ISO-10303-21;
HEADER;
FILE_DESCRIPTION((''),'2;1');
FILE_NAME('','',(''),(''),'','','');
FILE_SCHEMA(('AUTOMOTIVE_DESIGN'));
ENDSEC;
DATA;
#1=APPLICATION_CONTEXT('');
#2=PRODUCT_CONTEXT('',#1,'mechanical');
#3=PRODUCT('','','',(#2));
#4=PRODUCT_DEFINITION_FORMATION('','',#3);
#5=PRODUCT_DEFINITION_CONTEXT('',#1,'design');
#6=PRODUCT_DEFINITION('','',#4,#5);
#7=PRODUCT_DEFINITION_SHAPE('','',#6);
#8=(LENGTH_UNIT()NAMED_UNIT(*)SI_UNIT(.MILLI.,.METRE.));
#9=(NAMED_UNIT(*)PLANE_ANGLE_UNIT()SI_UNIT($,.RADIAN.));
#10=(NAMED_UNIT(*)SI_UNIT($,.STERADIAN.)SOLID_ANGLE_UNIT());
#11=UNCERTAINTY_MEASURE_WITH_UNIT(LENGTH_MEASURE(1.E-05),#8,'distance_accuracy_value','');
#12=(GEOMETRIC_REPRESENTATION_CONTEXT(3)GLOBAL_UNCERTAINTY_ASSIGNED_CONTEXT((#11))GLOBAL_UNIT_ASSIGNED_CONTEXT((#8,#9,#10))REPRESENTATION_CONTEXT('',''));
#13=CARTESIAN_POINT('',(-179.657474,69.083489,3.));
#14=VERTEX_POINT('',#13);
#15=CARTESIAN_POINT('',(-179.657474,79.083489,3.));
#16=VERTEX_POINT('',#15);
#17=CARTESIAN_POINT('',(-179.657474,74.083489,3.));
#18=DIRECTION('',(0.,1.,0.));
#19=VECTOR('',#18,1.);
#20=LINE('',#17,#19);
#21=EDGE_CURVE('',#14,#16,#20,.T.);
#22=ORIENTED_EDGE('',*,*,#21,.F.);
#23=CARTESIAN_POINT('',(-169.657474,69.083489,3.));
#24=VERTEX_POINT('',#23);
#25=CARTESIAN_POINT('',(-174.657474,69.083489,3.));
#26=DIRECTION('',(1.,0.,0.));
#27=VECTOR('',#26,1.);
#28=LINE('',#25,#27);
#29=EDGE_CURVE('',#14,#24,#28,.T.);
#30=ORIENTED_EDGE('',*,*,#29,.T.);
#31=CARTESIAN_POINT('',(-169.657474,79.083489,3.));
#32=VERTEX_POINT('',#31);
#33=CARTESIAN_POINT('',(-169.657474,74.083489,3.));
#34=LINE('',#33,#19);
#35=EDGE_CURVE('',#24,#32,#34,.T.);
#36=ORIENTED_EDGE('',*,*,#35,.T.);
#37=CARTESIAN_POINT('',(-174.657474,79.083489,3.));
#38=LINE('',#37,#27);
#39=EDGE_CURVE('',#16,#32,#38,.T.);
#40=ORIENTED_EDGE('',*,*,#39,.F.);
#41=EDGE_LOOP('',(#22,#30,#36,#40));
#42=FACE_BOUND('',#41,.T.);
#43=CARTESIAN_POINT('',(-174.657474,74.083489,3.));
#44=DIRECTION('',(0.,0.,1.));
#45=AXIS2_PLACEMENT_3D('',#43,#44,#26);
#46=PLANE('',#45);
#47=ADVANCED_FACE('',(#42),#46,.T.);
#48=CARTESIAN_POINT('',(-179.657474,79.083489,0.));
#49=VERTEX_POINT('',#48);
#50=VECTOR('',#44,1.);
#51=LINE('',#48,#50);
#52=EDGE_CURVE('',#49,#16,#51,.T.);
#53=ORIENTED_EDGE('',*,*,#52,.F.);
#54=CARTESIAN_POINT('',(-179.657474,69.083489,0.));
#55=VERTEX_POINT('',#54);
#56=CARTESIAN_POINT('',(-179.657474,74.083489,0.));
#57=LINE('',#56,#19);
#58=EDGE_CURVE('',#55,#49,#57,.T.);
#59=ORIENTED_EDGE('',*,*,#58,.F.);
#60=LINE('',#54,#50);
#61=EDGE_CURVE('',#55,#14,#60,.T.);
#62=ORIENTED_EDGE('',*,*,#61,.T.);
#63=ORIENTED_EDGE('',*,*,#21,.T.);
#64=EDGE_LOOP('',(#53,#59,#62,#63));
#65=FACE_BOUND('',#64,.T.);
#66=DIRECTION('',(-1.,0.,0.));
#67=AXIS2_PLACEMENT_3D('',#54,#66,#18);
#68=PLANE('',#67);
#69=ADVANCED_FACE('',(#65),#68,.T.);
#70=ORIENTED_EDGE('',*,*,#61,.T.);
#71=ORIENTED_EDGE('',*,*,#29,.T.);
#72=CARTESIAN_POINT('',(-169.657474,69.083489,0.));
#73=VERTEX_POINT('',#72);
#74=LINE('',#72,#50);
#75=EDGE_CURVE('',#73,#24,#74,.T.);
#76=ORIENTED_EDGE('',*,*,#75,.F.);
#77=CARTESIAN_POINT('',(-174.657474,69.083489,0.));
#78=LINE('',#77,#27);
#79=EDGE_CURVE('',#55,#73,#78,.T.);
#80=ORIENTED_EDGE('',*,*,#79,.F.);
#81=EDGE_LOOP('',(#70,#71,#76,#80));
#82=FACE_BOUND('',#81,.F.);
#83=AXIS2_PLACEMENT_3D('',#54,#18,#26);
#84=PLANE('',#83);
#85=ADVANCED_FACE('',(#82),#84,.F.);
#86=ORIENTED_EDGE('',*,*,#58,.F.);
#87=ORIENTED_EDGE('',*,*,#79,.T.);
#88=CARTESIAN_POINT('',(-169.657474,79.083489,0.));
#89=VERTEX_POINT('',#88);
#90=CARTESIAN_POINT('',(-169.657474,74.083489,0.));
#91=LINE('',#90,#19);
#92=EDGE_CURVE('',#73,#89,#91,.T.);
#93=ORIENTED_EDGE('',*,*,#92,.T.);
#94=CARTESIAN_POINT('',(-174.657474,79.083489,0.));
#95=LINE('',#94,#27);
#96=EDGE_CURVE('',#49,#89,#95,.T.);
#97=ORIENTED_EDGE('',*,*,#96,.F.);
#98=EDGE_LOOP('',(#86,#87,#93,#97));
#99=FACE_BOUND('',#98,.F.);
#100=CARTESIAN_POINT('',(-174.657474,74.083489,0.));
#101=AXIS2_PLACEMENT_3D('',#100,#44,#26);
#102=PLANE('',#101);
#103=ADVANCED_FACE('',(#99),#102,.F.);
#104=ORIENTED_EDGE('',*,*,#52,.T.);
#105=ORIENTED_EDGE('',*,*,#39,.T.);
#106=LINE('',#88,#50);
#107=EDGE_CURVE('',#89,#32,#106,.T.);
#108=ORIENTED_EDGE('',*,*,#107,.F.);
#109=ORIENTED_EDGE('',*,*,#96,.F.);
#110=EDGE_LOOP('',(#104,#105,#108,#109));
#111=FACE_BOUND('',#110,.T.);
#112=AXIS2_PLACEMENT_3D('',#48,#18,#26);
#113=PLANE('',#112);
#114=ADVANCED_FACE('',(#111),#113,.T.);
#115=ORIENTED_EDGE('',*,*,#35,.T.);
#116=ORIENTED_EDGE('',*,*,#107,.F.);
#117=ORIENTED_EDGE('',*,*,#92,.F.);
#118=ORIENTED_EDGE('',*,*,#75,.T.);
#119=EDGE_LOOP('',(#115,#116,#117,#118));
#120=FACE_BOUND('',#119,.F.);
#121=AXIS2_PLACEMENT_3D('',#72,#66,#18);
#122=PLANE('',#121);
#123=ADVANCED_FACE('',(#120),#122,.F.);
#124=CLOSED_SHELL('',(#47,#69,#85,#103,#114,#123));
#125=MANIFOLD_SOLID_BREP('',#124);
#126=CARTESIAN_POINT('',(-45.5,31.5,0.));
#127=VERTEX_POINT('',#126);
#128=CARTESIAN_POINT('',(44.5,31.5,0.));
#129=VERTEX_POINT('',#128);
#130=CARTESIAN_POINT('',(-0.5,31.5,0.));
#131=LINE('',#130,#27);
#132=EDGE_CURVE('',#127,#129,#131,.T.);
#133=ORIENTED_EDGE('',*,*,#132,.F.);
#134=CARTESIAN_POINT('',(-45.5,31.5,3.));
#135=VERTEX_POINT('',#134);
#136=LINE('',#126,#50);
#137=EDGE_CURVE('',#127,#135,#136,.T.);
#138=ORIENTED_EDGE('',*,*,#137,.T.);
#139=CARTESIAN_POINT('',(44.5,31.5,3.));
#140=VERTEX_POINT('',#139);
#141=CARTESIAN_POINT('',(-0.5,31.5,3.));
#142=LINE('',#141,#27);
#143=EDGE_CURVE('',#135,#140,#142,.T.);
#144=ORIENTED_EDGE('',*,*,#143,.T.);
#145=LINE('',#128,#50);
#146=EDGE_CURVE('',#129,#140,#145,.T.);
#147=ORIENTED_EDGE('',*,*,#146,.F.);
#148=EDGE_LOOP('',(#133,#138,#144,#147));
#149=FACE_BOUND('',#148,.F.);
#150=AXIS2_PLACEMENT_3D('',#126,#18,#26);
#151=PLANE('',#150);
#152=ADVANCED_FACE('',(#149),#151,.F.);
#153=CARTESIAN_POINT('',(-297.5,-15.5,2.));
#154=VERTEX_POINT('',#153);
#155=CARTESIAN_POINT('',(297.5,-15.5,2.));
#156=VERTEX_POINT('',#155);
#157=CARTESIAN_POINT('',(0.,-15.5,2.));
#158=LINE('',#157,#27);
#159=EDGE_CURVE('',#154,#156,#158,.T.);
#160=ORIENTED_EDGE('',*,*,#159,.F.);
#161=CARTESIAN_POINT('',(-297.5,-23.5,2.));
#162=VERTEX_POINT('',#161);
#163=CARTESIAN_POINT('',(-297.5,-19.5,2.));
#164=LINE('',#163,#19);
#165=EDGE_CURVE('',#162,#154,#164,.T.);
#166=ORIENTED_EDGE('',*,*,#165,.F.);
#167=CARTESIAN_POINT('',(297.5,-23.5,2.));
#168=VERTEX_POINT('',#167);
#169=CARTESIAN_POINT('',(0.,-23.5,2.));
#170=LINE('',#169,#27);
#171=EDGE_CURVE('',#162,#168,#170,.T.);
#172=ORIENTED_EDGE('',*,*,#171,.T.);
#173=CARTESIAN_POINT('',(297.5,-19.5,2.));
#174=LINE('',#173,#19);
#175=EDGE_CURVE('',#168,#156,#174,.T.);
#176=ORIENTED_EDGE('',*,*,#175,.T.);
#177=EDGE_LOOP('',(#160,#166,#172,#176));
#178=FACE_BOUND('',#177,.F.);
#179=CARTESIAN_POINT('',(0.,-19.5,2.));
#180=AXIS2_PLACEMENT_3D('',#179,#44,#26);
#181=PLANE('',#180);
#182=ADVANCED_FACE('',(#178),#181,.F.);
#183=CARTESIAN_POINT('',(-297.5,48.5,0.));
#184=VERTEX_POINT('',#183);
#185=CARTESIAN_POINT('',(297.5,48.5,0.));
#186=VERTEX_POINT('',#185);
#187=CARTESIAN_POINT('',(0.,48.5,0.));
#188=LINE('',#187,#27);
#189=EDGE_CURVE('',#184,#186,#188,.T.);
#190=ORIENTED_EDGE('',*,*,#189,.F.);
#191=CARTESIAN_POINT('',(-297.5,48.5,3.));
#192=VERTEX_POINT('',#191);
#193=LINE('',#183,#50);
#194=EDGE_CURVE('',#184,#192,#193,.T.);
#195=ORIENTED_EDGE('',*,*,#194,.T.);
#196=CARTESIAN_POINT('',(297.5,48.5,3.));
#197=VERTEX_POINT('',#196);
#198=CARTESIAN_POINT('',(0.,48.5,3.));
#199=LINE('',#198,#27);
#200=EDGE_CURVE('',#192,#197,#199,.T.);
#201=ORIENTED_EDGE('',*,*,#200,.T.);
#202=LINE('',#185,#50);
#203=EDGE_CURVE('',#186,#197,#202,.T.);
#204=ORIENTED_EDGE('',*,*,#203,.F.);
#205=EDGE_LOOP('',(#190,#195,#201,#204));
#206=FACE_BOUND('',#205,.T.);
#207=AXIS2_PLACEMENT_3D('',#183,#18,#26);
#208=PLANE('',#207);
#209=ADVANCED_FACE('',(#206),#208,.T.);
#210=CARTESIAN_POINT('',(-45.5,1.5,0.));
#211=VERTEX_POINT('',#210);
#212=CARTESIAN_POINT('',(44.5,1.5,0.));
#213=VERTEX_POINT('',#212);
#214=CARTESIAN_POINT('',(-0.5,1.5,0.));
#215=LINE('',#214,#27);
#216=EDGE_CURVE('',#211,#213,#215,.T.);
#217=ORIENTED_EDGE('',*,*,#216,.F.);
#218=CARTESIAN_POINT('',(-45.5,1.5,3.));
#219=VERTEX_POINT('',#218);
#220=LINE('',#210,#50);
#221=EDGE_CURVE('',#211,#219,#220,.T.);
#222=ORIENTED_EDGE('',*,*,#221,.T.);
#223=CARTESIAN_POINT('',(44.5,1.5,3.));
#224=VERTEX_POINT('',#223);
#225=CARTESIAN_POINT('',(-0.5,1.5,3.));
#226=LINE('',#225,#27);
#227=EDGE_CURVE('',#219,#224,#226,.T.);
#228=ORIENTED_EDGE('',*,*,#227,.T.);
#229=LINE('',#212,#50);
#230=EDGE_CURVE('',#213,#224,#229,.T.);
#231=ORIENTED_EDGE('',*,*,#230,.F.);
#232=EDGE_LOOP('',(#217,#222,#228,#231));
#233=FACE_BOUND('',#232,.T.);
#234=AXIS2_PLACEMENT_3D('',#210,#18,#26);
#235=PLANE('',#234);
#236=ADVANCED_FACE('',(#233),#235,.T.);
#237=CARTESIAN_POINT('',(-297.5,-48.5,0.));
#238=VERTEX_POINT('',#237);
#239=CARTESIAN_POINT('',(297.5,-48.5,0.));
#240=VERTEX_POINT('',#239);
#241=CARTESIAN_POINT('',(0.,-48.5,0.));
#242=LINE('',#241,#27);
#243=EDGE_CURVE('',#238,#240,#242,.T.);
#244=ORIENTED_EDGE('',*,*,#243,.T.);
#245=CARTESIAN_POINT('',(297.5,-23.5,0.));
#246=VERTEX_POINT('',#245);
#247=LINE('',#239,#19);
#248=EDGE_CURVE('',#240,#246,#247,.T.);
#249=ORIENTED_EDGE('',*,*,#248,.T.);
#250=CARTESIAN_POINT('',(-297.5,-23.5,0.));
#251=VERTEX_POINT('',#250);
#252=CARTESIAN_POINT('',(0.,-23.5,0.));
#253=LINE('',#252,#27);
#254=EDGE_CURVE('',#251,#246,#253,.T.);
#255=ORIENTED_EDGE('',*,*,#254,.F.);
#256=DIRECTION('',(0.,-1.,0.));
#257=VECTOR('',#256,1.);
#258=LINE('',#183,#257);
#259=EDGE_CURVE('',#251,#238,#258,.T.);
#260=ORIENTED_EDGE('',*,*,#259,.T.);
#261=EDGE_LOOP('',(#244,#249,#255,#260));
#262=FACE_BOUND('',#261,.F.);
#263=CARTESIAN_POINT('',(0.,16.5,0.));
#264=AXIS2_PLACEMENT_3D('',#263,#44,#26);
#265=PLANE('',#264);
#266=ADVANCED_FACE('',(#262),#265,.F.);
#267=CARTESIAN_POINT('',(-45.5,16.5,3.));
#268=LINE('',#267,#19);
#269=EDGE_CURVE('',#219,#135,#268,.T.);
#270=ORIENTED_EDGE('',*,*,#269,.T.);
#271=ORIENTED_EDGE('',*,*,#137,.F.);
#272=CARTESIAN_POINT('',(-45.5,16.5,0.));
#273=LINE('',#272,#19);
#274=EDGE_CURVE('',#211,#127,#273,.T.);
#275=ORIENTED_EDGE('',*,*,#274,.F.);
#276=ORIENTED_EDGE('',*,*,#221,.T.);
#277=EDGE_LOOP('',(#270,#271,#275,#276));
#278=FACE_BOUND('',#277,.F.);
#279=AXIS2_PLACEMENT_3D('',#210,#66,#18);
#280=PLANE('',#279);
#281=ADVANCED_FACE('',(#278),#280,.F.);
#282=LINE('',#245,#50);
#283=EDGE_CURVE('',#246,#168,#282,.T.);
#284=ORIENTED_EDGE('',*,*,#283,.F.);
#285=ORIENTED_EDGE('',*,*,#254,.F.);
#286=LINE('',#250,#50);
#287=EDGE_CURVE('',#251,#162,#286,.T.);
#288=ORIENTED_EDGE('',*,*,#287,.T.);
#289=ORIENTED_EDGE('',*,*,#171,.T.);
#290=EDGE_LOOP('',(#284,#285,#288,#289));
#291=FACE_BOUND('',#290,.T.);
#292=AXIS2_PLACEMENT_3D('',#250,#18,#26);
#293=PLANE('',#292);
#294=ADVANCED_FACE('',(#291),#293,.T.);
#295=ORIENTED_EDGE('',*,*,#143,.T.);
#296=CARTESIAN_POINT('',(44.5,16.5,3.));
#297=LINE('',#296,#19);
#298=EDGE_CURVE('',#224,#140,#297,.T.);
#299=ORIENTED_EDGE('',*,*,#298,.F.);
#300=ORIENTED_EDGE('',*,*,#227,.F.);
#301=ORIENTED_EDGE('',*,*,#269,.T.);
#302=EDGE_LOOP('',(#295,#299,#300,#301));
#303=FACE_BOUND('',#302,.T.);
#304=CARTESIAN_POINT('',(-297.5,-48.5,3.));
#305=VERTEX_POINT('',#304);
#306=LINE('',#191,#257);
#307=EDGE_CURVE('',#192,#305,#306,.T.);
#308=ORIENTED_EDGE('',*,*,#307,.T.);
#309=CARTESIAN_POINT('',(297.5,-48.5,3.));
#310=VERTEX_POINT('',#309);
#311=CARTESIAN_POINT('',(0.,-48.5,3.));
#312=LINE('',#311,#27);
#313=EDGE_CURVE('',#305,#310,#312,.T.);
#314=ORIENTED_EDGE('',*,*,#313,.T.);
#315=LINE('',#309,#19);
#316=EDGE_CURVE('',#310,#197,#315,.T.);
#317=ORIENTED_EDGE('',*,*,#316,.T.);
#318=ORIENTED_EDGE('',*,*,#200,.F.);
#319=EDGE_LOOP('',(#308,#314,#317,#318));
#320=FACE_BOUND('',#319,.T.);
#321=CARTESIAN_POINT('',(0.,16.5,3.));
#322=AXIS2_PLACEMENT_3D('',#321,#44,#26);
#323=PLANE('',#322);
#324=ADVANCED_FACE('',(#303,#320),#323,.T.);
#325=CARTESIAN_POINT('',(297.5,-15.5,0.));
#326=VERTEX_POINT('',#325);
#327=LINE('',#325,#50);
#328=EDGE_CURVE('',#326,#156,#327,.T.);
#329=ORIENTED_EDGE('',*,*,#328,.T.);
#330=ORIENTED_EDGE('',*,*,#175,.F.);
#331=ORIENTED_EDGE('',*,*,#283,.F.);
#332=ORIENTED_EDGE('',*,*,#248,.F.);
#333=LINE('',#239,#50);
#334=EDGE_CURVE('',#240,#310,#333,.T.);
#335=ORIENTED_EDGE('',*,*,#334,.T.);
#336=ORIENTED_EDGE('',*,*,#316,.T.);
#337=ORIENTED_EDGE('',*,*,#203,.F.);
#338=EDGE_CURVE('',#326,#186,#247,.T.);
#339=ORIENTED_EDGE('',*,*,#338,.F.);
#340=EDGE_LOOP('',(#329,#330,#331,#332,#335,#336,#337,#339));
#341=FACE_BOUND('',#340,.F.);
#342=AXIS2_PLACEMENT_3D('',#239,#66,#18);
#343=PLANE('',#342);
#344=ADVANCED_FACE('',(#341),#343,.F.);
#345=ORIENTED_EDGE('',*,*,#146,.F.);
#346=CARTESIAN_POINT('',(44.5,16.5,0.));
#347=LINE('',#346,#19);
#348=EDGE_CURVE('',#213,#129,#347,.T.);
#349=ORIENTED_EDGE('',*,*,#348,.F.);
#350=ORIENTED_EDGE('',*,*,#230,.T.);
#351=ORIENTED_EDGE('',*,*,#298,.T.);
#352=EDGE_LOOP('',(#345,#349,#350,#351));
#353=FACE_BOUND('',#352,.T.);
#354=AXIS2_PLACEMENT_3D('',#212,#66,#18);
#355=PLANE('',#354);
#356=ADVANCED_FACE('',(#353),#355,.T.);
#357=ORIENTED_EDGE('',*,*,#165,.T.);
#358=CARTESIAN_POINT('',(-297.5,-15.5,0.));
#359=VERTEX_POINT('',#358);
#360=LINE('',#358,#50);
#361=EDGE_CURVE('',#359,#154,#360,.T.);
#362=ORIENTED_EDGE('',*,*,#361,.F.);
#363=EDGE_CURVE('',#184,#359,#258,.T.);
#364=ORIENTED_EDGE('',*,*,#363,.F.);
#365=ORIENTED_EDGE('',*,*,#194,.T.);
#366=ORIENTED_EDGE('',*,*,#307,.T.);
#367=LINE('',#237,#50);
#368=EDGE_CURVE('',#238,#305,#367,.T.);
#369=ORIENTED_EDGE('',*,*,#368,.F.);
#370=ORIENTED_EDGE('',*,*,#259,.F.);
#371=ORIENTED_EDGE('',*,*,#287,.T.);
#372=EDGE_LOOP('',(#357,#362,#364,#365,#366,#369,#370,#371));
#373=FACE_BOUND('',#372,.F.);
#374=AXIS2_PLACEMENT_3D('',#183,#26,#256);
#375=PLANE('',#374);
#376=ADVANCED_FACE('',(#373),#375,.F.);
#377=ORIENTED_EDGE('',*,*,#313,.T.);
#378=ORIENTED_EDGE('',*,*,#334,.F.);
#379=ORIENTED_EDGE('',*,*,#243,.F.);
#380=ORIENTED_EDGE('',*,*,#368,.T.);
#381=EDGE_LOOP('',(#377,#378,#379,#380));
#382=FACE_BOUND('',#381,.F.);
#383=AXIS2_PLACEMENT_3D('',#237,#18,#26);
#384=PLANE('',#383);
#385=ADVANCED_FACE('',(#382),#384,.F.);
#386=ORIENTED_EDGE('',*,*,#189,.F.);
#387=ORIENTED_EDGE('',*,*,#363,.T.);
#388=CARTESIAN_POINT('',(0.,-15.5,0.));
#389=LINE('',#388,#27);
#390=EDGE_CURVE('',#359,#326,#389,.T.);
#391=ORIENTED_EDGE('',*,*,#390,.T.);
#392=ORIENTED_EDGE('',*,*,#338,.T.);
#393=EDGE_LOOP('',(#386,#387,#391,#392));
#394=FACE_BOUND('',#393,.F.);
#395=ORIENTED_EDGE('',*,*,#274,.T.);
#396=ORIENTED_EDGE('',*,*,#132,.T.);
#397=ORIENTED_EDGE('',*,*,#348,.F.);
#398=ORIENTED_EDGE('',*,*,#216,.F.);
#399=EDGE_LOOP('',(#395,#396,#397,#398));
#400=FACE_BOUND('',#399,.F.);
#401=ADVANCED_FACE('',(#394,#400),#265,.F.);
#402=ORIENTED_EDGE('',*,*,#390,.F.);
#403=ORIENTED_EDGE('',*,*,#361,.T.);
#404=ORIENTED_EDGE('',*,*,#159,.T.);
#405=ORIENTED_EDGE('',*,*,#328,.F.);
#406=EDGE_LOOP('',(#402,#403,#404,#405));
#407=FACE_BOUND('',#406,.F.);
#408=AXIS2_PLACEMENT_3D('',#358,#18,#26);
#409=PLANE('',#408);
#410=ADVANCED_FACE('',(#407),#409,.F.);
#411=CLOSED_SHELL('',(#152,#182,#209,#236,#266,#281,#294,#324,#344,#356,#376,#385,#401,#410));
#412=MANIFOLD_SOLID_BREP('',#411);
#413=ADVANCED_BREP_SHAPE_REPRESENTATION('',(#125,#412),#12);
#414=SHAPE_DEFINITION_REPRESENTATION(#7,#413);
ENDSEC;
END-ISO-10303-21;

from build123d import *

# Parameters (mm, degrees)
F0_W     = 595
F0_H     = 64
F0_W_2   = 90
F0_H_2   = 30
F0_H_3   = 25
F0_H_4   = 8
F1_DEPTH = 3
F2_DEPTH = 2
F0_W_3   = 10
F0_H_5   = 10
F3_DEPTH = 3


with BuildPart() as f1:
    # F0 (on Top) → F1 (new body)
    with BuildSketch(Plane.XY):
        with Locations((0, 16.5)):
            Rectangle(F0_W, F0_H)
        with Locations((-0.5, 16.5)):
            Rectangle(F0_W_2, F0_H_2, mode=Mode.SUBTRACT)
        with Locations((0, -36)):
            Rectangle(F0_W, F0_H_3)
        with Locations((0, -19.5)):
            Rectangle(F0_W, F0_H_4)
    extrude(amount=F1_DEPTH)

    # F0 (on Top) → F2 (cut)
    with BuildSketch(Plane.XY):
        with Locations((0, -19.5)):
            Rectangle(F0_W, F0_H_4)
    extrude(amount=F2_DEPTH, mode=Mode.SUBTRACT)


with BuildPart() as f3:
    # F0 (on Top) → F3 (new body)
    with BuildSketch(Plane.XY):
        with Locations((-174.657474, 74.083489)):
            Rectangle(F0_W_3, F0_H_5)
    extrude(amount=F3_DEPTH)


solid = Compound([f1.part, f3.part])
